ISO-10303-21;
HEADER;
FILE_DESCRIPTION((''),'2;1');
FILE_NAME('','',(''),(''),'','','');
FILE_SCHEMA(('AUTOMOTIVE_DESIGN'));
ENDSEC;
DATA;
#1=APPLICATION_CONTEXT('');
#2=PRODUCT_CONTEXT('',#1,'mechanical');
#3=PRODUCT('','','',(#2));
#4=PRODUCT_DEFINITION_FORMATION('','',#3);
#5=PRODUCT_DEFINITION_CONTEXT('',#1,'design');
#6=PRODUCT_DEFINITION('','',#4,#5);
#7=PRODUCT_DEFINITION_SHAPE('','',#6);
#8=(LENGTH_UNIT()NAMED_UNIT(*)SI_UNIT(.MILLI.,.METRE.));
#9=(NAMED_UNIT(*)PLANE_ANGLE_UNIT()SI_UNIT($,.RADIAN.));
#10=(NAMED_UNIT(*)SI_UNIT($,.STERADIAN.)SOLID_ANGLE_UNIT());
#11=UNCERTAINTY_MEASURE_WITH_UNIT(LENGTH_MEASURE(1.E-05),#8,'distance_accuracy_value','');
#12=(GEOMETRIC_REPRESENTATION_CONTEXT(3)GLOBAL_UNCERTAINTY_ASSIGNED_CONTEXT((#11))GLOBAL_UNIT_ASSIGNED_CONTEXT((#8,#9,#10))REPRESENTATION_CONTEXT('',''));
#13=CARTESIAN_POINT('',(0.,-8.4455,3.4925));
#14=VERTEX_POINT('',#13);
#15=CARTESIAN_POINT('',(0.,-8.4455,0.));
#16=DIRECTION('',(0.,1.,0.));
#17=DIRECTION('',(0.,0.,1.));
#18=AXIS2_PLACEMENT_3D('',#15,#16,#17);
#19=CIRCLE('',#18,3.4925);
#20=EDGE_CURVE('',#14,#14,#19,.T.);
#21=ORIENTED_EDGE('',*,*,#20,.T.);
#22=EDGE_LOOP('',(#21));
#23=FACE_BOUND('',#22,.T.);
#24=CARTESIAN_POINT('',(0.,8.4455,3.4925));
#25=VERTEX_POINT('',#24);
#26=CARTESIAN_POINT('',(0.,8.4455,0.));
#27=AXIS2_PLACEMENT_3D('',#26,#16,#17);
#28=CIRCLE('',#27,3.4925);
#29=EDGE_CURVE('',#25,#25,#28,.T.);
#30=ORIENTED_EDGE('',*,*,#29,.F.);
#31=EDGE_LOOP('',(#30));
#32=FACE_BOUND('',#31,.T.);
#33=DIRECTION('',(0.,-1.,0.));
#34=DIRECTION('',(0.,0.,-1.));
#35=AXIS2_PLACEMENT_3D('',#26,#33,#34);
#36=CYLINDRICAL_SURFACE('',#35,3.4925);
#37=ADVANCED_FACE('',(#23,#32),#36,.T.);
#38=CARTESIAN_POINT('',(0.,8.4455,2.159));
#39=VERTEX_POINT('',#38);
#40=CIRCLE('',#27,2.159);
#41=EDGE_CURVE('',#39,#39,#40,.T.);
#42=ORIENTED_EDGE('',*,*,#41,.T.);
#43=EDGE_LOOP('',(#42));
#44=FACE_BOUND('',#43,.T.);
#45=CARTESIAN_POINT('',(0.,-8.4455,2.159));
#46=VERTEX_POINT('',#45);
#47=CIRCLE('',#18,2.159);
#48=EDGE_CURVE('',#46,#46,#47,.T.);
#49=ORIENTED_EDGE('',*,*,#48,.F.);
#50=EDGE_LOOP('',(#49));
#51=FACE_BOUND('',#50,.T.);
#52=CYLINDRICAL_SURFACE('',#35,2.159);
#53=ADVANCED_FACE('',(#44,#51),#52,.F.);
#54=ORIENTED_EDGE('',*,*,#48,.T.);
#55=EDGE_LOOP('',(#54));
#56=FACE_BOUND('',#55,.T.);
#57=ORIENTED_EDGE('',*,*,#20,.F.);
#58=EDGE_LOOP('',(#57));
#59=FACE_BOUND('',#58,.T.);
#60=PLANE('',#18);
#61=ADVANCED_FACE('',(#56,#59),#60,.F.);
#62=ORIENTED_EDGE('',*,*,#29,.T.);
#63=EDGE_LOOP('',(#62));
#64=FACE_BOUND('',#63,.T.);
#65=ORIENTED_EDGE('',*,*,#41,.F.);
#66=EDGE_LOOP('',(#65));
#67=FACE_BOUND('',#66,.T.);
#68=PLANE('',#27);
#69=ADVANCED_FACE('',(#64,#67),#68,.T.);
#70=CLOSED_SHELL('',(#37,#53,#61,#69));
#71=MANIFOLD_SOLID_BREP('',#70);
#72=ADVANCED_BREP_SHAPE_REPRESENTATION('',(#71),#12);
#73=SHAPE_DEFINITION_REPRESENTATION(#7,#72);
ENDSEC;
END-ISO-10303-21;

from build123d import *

# Parameters (mm, degrees)
SKETCH1_R           = 3.4925
SKETCH1_R_2         = 2.159
BOSS_EXTRUDE1_DEPTH = 8.4455


with BuildPart() as part:
    # Sketch1 → Boss-Extrude1 (new body, symmetric)
    with BuildSketch(Plane(origin=(0, 0, 0), x_dir=(1, 0, 0), z_dir=(0, 1, 0))):
        Circle(SKETCH1_R)
        Circle(SKETCH1_R_2, mode=Mode.SUBTRACT)
    extrude(amount=BOSS_EXTRUDE1_DEPTH, both=True)


solid = part.part
